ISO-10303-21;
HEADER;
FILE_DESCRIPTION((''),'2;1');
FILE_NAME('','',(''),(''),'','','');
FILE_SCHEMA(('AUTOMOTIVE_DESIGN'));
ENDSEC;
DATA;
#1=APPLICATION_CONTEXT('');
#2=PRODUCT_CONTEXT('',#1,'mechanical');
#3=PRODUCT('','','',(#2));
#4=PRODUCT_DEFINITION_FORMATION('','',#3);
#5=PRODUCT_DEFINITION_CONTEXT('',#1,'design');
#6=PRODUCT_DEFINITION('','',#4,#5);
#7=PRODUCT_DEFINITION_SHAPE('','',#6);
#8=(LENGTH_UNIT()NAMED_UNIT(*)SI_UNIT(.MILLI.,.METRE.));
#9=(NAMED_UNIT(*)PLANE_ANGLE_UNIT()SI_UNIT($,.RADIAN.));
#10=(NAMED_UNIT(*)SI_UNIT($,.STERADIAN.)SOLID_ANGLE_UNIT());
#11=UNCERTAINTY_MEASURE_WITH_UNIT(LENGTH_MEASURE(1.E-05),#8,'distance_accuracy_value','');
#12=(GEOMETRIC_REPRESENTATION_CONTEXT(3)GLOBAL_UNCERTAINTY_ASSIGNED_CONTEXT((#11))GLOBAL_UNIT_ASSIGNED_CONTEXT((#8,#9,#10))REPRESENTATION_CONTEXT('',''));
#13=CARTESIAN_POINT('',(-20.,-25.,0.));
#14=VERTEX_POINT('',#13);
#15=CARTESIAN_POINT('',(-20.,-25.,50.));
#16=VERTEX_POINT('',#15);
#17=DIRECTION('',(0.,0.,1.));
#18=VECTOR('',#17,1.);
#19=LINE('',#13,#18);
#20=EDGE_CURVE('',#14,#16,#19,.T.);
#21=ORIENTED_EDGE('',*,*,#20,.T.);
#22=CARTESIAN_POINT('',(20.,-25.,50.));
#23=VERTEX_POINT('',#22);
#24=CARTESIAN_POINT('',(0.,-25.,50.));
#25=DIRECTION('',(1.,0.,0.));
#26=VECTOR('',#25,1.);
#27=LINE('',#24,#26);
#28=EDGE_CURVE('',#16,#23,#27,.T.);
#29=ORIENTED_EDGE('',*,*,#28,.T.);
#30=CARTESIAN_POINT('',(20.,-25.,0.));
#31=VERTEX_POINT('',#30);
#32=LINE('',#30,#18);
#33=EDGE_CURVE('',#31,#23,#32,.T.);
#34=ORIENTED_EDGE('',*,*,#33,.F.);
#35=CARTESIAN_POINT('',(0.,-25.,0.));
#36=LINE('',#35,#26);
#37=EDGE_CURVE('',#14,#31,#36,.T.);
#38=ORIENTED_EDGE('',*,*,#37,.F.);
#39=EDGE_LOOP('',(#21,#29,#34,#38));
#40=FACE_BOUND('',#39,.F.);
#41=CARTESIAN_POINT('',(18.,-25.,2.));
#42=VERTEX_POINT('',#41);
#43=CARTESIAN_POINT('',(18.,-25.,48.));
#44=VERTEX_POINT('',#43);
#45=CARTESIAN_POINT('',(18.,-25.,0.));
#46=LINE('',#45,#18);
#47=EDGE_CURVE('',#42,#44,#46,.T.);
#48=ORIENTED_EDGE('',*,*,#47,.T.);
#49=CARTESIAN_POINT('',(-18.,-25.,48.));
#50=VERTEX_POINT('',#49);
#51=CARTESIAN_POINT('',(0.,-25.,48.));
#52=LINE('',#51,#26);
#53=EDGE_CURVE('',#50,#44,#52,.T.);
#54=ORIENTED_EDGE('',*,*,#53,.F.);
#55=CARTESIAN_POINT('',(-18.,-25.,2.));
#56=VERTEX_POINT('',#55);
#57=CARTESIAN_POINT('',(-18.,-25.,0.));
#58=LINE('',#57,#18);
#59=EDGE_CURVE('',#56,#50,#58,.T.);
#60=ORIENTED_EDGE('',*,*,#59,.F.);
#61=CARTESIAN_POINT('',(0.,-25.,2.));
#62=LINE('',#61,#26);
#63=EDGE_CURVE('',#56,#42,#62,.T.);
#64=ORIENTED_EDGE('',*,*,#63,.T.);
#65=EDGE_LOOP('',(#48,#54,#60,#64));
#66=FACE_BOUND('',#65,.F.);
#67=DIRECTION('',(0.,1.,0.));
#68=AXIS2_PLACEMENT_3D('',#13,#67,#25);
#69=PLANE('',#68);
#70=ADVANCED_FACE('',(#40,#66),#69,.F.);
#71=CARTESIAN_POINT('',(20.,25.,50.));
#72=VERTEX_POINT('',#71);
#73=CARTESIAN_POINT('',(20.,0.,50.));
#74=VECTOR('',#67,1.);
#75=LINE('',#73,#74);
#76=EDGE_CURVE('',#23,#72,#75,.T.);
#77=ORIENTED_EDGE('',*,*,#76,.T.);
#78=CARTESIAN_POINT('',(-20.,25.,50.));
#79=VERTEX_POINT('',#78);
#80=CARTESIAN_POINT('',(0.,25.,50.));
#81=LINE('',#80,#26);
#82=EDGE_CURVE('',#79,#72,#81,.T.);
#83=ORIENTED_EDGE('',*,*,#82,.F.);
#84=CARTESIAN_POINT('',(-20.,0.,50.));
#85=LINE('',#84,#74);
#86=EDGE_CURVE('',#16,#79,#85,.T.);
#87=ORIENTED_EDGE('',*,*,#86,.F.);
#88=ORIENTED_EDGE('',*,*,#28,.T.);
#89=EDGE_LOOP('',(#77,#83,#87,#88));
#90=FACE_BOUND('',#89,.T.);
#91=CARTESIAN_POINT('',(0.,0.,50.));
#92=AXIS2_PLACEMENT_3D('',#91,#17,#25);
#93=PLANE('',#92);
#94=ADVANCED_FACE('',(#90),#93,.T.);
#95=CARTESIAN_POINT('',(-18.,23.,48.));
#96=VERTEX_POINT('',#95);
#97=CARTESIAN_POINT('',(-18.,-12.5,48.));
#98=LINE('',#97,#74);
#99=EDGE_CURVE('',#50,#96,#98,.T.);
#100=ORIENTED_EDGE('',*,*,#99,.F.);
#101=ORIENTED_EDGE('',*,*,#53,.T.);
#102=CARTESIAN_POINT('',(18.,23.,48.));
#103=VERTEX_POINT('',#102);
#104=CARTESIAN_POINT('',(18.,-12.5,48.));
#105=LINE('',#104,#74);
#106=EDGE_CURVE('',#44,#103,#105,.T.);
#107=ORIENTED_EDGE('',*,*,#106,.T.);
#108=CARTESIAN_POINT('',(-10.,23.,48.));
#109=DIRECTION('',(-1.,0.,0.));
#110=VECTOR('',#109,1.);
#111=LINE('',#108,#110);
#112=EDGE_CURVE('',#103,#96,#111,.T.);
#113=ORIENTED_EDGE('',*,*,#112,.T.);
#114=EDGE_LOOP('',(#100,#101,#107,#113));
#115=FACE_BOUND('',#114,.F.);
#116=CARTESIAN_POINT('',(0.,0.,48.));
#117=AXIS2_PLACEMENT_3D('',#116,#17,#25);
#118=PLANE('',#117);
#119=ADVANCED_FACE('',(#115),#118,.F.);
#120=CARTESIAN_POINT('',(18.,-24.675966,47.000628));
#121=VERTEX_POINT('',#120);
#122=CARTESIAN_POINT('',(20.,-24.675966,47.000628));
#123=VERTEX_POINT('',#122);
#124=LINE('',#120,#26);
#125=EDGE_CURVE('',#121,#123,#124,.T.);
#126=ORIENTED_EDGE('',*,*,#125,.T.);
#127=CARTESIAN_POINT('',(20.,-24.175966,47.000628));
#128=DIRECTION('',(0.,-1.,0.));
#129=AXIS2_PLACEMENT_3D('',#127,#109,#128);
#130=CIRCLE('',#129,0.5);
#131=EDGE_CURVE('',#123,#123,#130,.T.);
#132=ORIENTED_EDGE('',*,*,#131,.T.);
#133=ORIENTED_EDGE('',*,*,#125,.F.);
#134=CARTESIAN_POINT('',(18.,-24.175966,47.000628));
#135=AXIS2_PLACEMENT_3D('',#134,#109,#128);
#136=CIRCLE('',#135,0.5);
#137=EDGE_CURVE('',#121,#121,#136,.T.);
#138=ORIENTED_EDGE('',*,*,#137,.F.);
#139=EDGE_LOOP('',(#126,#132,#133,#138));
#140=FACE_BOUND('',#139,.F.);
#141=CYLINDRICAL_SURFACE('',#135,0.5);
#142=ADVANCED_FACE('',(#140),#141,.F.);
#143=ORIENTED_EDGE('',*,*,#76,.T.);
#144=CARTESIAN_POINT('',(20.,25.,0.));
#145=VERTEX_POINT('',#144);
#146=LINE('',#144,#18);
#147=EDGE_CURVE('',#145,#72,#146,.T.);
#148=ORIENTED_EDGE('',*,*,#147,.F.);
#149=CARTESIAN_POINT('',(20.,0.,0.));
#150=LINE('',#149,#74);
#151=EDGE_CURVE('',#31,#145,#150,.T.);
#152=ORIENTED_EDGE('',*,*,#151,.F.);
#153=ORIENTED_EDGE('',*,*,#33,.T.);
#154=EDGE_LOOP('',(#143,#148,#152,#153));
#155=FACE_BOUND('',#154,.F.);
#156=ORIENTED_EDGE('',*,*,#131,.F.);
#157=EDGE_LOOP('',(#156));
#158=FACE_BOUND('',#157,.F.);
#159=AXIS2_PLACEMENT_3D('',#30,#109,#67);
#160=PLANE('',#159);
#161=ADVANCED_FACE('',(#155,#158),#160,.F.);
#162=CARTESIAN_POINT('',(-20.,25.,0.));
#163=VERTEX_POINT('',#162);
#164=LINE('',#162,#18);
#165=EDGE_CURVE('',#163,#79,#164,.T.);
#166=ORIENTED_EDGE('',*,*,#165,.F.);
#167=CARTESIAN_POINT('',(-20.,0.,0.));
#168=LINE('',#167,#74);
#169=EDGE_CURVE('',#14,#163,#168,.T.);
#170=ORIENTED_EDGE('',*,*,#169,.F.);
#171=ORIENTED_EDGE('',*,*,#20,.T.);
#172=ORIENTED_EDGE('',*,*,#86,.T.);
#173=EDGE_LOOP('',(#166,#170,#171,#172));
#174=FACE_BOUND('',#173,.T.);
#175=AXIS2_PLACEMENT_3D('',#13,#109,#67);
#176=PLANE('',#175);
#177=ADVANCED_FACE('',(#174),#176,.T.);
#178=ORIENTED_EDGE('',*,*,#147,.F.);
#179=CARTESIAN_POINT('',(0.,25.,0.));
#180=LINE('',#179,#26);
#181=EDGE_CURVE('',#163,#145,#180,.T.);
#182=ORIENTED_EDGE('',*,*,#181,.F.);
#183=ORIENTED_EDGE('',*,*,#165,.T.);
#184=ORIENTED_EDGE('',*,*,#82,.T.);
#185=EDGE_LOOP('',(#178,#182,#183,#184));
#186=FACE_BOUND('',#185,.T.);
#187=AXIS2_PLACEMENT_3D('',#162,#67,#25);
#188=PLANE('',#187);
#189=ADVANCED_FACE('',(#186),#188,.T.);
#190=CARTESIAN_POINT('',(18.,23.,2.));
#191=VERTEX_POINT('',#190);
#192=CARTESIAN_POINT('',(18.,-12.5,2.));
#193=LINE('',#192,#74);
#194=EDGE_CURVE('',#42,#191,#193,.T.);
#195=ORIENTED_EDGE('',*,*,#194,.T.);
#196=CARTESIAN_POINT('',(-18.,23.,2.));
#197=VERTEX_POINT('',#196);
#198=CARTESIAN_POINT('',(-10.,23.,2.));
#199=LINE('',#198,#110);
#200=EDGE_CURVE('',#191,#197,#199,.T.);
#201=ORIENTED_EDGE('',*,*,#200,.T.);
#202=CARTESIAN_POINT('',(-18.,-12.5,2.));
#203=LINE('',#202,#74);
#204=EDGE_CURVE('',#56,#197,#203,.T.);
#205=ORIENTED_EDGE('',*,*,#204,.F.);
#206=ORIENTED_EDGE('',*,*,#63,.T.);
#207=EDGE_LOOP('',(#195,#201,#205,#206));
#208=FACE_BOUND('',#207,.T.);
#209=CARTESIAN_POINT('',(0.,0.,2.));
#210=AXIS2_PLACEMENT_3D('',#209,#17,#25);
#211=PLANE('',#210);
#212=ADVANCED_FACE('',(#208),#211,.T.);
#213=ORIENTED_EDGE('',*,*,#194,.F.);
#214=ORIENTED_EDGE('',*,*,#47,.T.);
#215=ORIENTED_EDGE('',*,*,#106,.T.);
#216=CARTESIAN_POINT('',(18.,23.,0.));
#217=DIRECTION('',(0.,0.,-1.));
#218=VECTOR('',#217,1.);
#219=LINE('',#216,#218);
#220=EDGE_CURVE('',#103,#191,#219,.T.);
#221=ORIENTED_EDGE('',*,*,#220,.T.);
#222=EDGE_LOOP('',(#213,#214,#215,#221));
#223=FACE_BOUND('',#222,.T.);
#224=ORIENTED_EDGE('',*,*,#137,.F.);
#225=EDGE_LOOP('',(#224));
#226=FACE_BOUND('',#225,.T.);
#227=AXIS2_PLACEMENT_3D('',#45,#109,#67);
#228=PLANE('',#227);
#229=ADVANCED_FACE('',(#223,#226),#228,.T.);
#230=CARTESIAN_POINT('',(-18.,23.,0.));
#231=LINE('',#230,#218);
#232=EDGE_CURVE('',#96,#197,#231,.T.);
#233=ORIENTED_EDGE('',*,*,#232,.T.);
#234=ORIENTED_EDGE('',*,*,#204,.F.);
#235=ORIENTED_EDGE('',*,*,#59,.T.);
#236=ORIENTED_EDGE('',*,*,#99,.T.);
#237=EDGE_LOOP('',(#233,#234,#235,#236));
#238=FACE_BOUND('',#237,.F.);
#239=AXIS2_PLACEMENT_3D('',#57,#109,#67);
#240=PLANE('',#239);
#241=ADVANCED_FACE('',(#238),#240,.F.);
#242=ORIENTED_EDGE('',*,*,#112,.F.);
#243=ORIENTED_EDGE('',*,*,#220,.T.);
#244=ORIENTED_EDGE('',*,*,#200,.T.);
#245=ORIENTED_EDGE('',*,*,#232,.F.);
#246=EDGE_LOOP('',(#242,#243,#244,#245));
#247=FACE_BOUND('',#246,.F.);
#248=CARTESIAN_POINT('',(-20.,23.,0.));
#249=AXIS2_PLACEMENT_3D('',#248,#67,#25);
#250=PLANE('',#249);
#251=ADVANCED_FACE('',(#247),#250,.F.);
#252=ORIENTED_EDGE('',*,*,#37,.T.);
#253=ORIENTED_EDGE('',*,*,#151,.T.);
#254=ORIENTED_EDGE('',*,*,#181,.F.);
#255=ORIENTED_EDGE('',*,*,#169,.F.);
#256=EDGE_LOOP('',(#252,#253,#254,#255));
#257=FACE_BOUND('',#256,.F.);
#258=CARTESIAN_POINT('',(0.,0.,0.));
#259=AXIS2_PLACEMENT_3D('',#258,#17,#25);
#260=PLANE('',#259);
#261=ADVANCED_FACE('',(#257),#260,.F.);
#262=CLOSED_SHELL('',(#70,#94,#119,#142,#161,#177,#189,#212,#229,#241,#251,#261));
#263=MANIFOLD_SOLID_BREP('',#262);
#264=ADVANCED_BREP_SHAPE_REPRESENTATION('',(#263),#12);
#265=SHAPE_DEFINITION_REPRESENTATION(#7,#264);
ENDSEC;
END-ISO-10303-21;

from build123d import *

# Parameters (mm, degrees)
F0_W     = 40
F0_H     = 50
F1_DEPTH = 50
F2_T     = -2
F3_R     = 0.5
F4_DEPTH = 25


with BuildPart() as f1:
    # F0 (on Top) → F1 (new body)
    with BuildSketch(Plane.XY):
        Rectangle(F0_W, F0_H)
    extrude(amount=F1_DEPTH)

    # F2
    f2_openings = [f1.faces().sort_by_distance(p)[0] for p in [
        (0, -25, 25),
    ]]
    offset(amount=F2_T, openings=f2_openings)

    # F3 (on face) → F4 (cut)
    with BuildSketch(Plane(origin=(18, 0, 0), x_dir=(0, -1, 0), z_dir=(-1, 0, 0))):
        with Locations((24.175966, 47.000628)):
            Circle(F3_R)
    extrude(amount=-F4_DEPTH, mode=Mode.SUBTRACT)


solid = f1.part
